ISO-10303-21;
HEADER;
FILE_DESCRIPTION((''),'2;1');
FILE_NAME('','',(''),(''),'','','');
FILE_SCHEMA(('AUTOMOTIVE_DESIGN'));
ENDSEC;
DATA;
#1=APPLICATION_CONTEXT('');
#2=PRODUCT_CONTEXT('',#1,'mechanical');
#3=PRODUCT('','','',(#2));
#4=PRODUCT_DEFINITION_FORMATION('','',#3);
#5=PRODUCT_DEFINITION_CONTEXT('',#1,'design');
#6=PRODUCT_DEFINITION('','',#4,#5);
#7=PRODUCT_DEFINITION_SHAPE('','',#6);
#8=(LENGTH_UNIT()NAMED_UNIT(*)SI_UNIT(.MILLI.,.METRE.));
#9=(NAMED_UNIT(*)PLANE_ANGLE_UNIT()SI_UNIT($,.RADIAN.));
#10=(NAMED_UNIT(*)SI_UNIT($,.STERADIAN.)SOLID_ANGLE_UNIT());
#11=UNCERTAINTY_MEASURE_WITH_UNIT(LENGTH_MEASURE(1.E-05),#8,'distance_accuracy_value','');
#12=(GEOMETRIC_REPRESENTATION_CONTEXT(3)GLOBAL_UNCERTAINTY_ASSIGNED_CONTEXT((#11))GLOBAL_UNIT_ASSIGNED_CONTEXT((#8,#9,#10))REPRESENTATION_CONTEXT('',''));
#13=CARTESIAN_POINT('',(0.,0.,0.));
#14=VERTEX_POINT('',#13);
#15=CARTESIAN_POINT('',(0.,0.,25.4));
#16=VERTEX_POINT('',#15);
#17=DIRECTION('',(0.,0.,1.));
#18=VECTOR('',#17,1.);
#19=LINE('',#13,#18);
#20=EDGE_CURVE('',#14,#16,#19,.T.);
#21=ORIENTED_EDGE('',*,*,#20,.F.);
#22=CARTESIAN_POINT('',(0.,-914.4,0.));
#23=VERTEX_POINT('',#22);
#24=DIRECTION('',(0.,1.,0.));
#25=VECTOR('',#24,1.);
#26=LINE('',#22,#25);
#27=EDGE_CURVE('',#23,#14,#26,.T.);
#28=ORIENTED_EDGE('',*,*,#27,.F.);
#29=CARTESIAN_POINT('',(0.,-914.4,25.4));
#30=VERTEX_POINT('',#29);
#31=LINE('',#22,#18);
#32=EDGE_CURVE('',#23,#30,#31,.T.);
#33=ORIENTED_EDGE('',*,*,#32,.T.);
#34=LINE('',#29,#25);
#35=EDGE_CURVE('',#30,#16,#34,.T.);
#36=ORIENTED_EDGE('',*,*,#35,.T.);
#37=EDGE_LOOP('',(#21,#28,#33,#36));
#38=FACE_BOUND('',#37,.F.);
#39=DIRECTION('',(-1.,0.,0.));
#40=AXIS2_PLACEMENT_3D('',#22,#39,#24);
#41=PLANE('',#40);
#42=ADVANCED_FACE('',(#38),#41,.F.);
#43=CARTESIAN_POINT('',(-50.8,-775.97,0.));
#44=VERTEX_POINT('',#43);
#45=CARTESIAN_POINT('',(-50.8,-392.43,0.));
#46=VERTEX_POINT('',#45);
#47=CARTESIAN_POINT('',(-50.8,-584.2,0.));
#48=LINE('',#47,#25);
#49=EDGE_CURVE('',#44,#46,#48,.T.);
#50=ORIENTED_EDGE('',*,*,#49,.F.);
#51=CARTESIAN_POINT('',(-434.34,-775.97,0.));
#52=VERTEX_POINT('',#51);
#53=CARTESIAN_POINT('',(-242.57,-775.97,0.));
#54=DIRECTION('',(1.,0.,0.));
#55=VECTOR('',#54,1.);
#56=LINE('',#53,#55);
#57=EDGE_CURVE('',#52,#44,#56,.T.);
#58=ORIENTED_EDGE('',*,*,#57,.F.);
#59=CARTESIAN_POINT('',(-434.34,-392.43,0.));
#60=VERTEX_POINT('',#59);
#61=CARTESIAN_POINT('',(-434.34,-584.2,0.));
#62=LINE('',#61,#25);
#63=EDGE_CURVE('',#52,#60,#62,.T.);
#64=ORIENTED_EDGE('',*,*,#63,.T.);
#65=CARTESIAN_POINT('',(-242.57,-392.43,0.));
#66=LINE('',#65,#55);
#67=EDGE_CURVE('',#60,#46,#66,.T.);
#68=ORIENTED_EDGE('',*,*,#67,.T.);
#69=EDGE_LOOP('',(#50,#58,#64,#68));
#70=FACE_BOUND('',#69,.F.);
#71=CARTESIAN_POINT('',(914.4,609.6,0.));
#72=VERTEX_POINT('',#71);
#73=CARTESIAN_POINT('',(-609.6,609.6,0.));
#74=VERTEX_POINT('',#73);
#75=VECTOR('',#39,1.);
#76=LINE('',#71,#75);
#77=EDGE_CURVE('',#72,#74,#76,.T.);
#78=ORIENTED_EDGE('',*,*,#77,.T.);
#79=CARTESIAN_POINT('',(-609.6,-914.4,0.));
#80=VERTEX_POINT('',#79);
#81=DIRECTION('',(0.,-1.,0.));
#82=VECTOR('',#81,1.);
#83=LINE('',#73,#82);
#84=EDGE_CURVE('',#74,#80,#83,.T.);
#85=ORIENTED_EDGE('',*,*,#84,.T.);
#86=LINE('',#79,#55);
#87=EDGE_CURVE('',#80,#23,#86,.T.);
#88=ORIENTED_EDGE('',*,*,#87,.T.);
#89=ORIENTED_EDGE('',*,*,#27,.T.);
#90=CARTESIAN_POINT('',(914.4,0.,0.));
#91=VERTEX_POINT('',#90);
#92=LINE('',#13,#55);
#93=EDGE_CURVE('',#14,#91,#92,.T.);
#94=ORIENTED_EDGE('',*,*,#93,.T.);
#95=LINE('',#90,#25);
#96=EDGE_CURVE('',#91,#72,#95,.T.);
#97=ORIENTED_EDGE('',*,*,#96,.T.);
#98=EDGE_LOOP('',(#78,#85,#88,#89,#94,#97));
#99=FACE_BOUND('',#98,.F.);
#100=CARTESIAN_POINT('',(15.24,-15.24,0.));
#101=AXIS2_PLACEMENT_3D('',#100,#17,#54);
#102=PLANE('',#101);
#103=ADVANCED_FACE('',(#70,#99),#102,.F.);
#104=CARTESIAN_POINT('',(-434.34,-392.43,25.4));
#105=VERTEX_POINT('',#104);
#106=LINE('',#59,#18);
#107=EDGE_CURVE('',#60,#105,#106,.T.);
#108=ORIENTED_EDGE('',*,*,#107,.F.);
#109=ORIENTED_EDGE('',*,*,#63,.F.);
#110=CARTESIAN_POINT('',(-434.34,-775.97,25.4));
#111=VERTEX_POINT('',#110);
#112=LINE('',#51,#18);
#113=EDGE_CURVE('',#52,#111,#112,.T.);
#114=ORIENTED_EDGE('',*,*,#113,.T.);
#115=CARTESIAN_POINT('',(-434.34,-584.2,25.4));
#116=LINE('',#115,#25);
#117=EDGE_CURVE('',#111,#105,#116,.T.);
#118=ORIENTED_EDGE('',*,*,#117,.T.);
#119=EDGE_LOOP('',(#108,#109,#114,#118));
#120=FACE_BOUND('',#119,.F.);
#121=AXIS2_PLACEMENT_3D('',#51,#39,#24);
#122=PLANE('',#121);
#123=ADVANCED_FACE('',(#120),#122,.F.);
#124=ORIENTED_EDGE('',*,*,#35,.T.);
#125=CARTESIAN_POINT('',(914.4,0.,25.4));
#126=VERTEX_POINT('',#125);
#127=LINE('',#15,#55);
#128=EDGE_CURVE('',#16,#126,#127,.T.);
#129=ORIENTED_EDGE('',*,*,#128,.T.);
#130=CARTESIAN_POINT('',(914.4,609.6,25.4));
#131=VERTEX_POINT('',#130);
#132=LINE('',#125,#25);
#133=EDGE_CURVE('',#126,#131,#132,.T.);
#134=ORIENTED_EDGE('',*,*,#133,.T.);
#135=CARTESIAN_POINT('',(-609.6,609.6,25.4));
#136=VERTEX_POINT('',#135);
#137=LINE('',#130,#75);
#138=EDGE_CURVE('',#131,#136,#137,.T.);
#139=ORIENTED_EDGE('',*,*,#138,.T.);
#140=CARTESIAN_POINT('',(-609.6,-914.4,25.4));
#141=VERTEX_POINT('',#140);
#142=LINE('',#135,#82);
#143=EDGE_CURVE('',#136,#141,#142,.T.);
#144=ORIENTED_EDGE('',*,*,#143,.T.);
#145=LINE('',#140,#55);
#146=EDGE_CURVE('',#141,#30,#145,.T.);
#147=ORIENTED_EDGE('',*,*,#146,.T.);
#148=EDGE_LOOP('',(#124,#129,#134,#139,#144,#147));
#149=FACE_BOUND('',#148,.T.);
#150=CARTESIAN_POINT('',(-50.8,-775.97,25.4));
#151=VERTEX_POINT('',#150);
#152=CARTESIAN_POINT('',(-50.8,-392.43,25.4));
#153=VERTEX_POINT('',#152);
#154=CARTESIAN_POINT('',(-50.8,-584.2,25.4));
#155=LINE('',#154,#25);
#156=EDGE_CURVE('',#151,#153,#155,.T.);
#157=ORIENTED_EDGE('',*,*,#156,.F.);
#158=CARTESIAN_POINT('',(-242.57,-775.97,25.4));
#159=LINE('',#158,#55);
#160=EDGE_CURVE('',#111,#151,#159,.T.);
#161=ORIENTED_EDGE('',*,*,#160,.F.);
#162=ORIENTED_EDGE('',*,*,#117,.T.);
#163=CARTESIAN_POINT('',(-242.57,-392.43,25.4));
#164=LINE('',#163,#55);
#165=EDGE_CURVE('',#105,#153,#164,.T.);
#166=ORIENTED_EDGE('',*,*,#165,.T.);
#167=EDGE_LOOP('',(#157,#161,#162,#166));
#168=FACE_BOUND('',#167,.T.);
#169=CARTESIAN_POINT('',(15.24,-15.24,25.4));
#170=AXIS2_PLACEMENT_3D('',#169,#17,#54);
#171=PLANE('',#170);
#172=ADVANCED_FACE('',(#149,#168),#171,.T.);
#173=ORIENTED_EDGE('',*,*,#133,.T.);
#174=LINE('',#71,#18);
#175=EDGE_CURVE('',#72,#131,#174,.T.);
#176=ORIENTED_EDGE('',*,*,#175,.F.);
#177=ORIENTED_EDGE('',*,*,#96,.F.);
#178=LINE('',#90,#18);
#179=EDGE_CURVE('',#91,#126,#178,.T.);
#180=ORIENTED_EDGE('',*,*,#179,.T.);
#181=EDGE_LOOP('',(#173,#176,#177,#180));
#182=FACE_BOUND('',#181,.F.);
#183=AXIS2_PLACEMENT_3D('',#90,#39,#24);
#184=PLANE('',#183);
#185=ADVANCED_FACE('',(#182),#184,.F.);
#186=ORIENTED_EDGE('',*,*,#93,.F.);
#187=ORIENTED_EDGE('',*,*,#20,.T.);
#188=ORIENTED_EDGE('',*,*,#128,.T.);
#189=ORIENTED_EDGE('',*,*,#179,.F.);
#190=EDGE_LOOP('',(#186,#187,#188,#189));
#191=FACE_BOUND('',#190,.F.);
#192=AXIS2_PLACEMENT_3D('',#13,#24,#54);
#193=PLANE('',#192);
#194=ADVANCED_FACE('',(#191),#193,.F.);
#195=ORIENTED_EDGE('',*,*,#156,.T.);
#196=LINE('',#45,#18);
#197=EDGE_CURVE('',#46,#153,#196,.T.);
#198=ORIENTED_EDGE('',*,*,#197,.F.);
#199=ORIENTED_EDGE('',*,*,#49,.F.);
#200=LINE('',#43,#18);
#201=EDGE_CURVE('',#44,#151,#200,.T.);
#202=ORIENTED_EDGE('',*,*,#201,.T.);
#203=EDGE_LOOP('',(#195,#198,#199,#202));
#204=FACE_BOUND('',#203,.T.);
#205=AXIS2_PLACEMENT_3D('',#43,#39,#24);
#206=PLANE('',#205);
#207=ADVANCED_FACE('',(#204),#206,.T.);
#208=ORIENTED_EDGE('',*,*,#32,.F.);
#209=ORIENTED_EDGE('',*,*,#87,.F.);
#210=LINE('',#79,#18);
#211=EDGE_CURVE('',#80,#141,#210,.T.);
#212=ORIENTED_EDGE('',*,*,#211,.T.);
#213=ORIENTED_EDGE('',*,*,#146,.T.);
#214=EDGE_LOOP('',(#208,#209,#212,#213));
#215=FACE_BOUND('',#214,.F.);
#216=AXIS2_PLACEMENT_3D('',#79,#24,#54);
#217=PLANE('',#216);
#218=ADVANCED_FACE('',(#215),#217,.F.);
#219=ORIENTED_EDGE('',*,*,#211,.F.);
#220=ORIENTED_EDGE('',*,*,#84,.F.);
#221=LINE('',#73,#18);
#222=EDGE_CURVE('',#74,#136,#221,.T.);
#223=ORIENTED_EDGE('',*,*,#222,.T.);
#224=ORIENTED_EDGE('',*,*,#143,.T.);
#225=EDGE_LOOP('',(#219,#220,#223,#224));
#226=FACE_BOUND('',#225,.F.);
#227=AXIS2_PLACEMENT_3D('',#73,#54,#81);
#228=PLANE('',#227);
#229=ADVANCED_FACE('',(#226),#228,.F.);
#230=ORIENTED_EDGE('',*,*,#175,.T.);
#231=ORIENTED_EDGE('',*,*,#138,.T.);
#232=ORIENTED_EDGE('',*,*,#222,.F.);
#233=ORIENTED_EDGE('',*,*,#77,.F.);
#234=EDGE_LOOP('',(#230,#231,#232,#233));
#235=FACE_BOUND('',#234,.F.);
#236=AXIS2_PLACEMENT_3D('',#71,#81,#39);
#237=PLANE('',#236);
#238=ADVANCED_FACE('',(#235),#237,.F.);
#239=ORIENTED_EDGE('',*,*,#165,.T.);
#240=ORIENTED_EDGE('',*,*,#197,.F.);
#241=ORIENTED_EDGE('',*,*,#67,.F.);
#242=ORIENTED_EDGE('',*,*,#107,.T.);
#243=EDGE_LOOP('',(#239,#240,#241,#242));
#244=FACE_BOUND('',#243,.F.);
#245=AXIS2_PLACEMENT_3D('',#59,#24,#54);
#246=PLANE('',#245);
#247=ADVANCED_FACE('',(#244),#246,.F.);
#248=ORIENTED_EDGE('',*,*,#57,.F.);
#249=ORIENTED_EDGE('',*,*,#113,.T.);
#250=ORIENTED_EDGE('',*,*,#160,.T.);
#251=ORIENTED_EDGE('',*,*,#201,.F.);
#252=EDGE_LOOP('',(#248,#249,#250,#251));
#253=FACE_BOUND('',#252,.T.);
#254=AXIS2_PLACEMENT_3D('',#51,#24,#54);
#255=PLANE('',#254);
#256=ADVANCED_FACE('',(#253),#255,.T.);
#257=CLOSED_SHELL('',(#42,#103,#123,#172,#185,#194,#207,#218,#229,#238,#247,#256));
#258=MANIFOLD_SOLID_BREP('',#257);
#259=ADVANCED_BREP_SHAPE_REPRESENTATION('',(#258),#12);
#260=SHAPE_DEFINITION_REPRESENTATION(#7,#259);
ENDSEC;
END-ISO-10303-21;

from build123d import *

# Parameters (mm, degrees)
F1_W     = 383.54
F1_H     = 383.54
F2_DEPTH = 25.4


with BuildPart() as f2:
    # F1 (on face) → F2 (new body)
    with BuildSketch(Plane.XY):
        Polygon((914.4, 609.6), (-609.6, 609.6), (-609.6, -914.4), (0, -914.4), (0, 0), (914.4, 0), align=None)
        with Locations((-242.57, -584.2)):
            Rectangle(F1_W, F1_H, mode=Mode.SUBTRACT)
    extrude(amount=F2_DEPTH)


solid = f2.part
